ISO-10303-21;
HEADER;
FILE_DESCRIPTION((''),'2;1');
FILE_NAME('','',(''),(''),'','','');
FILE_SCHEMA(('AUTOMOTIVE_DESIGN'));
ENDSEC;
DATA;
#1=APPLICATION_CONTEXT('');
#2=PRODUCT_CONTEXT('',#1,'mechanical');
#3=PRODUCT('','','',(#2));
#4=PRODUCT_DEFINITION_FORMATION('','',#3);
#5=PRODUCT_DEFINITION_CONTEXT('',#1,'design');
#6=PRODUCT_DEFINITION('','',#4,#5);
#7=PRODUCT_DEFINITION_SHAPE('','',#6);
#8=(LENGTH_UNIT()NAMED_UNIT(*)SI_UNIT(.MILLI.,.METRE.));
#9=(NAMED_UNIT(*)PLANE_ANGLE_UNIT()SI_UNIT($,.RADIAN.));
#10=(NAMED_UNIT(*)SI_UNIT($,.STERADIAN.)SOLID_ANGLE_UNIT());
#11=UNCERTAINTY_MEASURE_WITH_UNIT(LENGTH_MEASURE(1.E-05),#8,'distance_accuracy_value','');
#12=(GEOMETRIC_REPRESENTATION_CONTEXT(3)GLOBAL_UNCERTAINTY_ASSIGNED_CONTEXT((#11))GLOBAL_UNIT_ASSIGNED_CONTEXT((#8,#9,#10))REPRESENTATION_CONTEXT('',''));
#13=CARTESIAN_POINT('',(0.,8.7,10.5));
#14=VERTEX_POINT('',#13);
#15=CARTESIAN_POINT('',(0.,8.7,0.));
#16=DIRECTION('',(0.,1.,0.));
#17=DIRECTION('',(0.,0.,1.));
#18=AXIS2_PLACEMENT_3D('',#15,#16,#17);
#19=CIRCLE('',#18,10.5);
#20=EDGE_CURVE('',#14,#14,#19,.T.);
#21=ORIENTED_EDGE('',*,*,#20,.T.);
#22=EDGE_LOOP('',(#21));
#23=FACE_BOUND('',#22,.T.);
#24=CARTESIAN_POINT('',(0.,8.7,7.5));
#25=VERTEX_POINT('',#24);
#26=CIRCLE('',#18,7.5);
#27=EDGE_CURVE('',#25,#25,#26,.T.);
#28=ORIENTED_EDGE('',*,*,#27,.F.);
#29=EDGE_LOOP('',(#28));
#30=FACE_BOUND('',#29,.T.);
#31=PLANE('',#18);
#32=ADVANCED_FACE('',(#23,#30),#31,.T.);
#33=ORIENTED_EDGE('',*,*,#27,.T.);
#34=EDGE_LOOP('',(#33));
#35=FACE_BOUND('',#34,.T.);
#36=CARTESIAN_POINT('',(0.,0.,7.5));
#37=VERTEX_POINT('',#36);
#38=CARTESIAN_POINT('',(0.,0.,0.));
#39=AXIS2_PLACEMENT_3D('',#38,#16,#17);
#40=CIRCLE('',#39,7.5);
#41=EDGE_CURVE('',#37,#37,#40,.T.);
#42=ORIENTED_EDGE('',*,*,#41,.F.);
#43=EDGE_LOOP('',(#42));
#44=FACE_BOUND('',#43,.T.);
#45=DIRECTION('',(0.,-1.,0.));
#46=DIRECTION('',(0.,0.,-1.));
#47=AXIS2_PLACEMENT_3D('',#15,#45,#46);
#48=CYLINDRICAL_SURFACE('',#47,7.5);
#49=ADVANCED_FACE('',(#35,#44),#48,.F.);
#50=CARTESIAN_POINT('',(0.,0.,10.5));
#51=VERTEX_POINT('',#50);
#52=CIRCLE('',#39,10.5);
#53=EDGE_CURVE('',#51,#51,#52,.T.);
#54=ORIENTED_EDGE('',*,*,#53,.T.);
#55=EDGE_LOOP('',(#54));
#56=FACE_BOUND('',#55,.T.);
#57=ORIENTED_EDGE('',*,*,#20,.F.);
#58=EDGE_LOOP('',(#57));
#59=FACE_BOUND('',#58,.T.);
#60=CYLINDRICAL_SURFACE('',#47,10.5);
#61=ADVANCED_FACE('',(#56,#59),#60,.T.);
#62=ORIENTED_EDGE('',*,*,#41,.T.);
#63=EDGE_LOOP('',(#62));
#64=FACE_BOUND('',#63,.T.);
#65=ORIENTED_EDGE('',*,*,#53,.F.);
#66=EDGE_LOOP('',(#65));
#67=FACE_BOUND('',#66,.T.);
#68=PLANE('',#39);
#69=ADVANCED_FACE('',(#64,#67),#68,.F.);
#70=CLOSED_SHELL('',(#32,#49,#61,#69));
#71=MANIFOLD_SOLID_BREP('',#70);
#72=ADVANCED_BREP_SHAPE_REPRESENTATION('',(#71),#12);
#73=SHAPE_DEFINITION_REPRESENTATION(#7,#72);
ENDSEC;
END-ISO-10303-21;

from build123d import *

# Parameters (mm, degrees)
SCHIZZO1_R                   = 10.5
SCHIZZO1_R_2                 = 7.5
ESTRUSIONE_ESTRUSIONE1_DEPTH = 8.7


with BuildPart() as part:
    # Schizzo1 → Estrusione-Estrusione1 (new body)
    with BuildSketch(Plane(origin=(0, 0, 0), x_dir=(1, 0, 0), z_dir=(0, 1, 0))):
        Circle(SCHIZZO1_R)
        Circle(SCHIZZO1_R_2, mode=Mode.SUBTRACT)
    extrude(amount=ESTRUSIONE_ESTRUSIONE1_DEPTH)


solid = part.part
